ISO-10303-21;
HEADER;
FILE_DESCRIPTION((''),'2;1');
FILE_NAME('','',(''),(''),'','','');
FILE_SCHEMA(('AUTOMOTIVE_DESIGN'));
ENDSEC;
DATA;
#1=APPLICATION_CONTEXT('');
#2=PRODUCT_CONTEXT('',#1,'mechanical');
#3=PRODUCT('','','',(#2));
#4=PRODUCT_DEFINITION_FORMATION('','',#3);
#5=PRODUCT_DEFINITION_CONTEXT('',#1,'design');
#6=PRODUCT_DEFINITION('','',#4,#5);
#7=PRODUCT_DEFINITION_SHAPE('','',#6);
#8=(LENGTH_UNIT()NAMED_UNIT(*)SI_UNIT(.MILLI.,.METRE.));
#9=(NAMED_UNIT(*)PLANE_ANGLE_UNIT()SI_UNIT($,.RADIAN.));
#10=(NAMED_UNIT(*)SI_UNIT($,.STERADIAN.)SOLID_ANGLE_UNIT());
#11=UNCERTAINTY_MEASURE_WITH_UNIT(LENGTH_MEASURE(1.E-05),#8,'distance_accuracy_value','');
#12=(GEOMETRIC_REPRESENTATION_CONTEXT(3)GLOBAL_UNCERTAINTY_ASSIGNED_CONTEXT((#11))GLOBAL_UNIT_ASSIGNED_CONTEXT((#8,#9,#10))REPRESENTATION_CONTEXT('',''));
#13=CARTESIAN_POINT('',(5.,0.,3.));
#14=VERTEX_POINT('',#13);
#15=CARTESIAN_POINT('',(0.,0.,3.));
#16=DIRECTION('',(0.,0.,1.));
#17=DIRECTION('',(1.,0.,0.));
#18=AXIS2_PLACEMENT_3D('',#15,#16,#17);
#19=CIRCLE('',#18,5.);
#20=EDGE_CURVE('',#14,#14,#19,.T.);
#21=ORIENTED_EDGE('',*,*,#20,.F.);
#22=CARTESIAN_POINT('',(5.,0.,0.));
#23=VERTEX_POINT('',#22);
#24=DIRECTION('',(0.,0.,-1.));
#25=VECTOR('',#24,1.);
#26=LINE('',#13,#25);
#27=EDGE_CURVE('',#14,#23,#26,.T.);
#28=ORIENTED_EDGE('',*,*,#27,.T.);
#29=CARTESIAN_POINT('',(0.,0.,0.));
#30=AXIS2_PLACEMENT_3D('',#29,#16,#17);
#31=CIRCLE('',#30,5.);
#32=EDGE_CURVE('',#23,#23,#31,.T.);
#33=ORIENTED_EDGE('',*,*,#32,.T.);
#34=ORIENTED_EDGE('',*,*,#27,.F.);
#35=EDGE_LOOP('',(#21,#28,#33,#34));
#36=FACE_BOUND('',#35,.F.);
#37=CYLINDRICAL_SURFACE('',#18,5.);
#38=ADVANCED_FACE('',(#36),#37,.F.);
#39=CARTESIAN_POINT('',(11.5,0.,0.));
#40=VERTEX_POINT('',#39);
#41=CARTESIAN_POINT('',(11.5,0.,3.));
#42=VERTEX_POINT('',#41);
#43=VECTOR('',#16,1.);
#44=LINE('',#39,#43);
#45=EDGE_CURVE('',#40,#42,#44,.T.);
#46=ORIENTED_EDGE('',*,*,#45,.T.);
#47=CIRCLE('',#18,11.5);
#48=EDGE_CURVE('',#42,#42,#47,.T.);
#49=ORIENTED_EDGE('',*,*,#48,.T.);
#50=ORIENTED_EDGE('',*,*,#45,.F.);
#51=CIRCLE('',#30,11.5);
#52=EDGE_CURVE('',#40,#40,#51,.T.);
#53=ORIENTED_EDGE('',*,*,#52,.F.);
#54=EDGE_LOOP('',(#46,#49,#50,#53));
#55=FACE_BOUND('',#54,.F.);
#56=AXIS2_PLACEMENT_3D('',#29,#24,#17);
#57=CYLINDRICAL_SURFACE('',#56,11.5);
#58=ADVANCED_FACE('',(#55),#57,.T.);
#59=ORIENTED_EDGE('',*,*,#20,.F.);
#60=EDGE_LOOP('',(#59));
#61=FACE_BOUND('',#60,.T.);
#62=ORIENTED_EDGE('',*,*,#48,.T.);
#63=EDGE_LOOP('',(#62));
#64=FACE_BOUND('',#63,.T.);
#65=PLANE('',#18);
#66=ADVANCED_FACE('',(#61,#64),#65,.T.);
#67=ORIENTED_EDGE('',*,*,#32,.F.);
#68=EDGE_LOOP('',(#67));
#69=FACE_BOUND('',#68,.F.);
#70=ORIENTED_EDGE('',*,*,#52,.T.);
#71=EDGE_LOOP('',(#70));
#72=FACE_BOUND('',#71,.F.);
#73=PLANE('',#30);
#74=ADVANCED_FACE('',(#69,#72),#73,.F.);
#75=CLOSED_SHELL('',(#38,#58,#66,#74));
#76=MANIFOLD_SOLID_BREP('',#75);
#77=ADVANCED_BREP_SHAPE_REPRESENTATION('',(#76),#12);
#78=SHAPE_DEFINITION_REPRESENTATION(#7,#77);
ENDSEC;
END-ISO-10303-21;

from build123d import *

# Parameters (mm, degrees)
SKETCH_R     = 11.5
PAD_DEPTH    = 3
SKETCH001_R  = 5
POCKET_DEPTH = 5


with BuildPart() as part:
    # Sketch → Pad (new body)
    with BuildSketch(Plane.XY):
        Circle(SKETCH_R)
    extrude(amount=PAD_DEPTH)

    # Sketch001 (on Face3 of Pad) → Pocket (cut)
    with BuildSketch(Plane.XY.offset(3)):
        Circle(SKETCH001_R)
    extrude(amount=-POCKET_DEPTH, mode=Mode.SUBTRACT)


solid = part.part
